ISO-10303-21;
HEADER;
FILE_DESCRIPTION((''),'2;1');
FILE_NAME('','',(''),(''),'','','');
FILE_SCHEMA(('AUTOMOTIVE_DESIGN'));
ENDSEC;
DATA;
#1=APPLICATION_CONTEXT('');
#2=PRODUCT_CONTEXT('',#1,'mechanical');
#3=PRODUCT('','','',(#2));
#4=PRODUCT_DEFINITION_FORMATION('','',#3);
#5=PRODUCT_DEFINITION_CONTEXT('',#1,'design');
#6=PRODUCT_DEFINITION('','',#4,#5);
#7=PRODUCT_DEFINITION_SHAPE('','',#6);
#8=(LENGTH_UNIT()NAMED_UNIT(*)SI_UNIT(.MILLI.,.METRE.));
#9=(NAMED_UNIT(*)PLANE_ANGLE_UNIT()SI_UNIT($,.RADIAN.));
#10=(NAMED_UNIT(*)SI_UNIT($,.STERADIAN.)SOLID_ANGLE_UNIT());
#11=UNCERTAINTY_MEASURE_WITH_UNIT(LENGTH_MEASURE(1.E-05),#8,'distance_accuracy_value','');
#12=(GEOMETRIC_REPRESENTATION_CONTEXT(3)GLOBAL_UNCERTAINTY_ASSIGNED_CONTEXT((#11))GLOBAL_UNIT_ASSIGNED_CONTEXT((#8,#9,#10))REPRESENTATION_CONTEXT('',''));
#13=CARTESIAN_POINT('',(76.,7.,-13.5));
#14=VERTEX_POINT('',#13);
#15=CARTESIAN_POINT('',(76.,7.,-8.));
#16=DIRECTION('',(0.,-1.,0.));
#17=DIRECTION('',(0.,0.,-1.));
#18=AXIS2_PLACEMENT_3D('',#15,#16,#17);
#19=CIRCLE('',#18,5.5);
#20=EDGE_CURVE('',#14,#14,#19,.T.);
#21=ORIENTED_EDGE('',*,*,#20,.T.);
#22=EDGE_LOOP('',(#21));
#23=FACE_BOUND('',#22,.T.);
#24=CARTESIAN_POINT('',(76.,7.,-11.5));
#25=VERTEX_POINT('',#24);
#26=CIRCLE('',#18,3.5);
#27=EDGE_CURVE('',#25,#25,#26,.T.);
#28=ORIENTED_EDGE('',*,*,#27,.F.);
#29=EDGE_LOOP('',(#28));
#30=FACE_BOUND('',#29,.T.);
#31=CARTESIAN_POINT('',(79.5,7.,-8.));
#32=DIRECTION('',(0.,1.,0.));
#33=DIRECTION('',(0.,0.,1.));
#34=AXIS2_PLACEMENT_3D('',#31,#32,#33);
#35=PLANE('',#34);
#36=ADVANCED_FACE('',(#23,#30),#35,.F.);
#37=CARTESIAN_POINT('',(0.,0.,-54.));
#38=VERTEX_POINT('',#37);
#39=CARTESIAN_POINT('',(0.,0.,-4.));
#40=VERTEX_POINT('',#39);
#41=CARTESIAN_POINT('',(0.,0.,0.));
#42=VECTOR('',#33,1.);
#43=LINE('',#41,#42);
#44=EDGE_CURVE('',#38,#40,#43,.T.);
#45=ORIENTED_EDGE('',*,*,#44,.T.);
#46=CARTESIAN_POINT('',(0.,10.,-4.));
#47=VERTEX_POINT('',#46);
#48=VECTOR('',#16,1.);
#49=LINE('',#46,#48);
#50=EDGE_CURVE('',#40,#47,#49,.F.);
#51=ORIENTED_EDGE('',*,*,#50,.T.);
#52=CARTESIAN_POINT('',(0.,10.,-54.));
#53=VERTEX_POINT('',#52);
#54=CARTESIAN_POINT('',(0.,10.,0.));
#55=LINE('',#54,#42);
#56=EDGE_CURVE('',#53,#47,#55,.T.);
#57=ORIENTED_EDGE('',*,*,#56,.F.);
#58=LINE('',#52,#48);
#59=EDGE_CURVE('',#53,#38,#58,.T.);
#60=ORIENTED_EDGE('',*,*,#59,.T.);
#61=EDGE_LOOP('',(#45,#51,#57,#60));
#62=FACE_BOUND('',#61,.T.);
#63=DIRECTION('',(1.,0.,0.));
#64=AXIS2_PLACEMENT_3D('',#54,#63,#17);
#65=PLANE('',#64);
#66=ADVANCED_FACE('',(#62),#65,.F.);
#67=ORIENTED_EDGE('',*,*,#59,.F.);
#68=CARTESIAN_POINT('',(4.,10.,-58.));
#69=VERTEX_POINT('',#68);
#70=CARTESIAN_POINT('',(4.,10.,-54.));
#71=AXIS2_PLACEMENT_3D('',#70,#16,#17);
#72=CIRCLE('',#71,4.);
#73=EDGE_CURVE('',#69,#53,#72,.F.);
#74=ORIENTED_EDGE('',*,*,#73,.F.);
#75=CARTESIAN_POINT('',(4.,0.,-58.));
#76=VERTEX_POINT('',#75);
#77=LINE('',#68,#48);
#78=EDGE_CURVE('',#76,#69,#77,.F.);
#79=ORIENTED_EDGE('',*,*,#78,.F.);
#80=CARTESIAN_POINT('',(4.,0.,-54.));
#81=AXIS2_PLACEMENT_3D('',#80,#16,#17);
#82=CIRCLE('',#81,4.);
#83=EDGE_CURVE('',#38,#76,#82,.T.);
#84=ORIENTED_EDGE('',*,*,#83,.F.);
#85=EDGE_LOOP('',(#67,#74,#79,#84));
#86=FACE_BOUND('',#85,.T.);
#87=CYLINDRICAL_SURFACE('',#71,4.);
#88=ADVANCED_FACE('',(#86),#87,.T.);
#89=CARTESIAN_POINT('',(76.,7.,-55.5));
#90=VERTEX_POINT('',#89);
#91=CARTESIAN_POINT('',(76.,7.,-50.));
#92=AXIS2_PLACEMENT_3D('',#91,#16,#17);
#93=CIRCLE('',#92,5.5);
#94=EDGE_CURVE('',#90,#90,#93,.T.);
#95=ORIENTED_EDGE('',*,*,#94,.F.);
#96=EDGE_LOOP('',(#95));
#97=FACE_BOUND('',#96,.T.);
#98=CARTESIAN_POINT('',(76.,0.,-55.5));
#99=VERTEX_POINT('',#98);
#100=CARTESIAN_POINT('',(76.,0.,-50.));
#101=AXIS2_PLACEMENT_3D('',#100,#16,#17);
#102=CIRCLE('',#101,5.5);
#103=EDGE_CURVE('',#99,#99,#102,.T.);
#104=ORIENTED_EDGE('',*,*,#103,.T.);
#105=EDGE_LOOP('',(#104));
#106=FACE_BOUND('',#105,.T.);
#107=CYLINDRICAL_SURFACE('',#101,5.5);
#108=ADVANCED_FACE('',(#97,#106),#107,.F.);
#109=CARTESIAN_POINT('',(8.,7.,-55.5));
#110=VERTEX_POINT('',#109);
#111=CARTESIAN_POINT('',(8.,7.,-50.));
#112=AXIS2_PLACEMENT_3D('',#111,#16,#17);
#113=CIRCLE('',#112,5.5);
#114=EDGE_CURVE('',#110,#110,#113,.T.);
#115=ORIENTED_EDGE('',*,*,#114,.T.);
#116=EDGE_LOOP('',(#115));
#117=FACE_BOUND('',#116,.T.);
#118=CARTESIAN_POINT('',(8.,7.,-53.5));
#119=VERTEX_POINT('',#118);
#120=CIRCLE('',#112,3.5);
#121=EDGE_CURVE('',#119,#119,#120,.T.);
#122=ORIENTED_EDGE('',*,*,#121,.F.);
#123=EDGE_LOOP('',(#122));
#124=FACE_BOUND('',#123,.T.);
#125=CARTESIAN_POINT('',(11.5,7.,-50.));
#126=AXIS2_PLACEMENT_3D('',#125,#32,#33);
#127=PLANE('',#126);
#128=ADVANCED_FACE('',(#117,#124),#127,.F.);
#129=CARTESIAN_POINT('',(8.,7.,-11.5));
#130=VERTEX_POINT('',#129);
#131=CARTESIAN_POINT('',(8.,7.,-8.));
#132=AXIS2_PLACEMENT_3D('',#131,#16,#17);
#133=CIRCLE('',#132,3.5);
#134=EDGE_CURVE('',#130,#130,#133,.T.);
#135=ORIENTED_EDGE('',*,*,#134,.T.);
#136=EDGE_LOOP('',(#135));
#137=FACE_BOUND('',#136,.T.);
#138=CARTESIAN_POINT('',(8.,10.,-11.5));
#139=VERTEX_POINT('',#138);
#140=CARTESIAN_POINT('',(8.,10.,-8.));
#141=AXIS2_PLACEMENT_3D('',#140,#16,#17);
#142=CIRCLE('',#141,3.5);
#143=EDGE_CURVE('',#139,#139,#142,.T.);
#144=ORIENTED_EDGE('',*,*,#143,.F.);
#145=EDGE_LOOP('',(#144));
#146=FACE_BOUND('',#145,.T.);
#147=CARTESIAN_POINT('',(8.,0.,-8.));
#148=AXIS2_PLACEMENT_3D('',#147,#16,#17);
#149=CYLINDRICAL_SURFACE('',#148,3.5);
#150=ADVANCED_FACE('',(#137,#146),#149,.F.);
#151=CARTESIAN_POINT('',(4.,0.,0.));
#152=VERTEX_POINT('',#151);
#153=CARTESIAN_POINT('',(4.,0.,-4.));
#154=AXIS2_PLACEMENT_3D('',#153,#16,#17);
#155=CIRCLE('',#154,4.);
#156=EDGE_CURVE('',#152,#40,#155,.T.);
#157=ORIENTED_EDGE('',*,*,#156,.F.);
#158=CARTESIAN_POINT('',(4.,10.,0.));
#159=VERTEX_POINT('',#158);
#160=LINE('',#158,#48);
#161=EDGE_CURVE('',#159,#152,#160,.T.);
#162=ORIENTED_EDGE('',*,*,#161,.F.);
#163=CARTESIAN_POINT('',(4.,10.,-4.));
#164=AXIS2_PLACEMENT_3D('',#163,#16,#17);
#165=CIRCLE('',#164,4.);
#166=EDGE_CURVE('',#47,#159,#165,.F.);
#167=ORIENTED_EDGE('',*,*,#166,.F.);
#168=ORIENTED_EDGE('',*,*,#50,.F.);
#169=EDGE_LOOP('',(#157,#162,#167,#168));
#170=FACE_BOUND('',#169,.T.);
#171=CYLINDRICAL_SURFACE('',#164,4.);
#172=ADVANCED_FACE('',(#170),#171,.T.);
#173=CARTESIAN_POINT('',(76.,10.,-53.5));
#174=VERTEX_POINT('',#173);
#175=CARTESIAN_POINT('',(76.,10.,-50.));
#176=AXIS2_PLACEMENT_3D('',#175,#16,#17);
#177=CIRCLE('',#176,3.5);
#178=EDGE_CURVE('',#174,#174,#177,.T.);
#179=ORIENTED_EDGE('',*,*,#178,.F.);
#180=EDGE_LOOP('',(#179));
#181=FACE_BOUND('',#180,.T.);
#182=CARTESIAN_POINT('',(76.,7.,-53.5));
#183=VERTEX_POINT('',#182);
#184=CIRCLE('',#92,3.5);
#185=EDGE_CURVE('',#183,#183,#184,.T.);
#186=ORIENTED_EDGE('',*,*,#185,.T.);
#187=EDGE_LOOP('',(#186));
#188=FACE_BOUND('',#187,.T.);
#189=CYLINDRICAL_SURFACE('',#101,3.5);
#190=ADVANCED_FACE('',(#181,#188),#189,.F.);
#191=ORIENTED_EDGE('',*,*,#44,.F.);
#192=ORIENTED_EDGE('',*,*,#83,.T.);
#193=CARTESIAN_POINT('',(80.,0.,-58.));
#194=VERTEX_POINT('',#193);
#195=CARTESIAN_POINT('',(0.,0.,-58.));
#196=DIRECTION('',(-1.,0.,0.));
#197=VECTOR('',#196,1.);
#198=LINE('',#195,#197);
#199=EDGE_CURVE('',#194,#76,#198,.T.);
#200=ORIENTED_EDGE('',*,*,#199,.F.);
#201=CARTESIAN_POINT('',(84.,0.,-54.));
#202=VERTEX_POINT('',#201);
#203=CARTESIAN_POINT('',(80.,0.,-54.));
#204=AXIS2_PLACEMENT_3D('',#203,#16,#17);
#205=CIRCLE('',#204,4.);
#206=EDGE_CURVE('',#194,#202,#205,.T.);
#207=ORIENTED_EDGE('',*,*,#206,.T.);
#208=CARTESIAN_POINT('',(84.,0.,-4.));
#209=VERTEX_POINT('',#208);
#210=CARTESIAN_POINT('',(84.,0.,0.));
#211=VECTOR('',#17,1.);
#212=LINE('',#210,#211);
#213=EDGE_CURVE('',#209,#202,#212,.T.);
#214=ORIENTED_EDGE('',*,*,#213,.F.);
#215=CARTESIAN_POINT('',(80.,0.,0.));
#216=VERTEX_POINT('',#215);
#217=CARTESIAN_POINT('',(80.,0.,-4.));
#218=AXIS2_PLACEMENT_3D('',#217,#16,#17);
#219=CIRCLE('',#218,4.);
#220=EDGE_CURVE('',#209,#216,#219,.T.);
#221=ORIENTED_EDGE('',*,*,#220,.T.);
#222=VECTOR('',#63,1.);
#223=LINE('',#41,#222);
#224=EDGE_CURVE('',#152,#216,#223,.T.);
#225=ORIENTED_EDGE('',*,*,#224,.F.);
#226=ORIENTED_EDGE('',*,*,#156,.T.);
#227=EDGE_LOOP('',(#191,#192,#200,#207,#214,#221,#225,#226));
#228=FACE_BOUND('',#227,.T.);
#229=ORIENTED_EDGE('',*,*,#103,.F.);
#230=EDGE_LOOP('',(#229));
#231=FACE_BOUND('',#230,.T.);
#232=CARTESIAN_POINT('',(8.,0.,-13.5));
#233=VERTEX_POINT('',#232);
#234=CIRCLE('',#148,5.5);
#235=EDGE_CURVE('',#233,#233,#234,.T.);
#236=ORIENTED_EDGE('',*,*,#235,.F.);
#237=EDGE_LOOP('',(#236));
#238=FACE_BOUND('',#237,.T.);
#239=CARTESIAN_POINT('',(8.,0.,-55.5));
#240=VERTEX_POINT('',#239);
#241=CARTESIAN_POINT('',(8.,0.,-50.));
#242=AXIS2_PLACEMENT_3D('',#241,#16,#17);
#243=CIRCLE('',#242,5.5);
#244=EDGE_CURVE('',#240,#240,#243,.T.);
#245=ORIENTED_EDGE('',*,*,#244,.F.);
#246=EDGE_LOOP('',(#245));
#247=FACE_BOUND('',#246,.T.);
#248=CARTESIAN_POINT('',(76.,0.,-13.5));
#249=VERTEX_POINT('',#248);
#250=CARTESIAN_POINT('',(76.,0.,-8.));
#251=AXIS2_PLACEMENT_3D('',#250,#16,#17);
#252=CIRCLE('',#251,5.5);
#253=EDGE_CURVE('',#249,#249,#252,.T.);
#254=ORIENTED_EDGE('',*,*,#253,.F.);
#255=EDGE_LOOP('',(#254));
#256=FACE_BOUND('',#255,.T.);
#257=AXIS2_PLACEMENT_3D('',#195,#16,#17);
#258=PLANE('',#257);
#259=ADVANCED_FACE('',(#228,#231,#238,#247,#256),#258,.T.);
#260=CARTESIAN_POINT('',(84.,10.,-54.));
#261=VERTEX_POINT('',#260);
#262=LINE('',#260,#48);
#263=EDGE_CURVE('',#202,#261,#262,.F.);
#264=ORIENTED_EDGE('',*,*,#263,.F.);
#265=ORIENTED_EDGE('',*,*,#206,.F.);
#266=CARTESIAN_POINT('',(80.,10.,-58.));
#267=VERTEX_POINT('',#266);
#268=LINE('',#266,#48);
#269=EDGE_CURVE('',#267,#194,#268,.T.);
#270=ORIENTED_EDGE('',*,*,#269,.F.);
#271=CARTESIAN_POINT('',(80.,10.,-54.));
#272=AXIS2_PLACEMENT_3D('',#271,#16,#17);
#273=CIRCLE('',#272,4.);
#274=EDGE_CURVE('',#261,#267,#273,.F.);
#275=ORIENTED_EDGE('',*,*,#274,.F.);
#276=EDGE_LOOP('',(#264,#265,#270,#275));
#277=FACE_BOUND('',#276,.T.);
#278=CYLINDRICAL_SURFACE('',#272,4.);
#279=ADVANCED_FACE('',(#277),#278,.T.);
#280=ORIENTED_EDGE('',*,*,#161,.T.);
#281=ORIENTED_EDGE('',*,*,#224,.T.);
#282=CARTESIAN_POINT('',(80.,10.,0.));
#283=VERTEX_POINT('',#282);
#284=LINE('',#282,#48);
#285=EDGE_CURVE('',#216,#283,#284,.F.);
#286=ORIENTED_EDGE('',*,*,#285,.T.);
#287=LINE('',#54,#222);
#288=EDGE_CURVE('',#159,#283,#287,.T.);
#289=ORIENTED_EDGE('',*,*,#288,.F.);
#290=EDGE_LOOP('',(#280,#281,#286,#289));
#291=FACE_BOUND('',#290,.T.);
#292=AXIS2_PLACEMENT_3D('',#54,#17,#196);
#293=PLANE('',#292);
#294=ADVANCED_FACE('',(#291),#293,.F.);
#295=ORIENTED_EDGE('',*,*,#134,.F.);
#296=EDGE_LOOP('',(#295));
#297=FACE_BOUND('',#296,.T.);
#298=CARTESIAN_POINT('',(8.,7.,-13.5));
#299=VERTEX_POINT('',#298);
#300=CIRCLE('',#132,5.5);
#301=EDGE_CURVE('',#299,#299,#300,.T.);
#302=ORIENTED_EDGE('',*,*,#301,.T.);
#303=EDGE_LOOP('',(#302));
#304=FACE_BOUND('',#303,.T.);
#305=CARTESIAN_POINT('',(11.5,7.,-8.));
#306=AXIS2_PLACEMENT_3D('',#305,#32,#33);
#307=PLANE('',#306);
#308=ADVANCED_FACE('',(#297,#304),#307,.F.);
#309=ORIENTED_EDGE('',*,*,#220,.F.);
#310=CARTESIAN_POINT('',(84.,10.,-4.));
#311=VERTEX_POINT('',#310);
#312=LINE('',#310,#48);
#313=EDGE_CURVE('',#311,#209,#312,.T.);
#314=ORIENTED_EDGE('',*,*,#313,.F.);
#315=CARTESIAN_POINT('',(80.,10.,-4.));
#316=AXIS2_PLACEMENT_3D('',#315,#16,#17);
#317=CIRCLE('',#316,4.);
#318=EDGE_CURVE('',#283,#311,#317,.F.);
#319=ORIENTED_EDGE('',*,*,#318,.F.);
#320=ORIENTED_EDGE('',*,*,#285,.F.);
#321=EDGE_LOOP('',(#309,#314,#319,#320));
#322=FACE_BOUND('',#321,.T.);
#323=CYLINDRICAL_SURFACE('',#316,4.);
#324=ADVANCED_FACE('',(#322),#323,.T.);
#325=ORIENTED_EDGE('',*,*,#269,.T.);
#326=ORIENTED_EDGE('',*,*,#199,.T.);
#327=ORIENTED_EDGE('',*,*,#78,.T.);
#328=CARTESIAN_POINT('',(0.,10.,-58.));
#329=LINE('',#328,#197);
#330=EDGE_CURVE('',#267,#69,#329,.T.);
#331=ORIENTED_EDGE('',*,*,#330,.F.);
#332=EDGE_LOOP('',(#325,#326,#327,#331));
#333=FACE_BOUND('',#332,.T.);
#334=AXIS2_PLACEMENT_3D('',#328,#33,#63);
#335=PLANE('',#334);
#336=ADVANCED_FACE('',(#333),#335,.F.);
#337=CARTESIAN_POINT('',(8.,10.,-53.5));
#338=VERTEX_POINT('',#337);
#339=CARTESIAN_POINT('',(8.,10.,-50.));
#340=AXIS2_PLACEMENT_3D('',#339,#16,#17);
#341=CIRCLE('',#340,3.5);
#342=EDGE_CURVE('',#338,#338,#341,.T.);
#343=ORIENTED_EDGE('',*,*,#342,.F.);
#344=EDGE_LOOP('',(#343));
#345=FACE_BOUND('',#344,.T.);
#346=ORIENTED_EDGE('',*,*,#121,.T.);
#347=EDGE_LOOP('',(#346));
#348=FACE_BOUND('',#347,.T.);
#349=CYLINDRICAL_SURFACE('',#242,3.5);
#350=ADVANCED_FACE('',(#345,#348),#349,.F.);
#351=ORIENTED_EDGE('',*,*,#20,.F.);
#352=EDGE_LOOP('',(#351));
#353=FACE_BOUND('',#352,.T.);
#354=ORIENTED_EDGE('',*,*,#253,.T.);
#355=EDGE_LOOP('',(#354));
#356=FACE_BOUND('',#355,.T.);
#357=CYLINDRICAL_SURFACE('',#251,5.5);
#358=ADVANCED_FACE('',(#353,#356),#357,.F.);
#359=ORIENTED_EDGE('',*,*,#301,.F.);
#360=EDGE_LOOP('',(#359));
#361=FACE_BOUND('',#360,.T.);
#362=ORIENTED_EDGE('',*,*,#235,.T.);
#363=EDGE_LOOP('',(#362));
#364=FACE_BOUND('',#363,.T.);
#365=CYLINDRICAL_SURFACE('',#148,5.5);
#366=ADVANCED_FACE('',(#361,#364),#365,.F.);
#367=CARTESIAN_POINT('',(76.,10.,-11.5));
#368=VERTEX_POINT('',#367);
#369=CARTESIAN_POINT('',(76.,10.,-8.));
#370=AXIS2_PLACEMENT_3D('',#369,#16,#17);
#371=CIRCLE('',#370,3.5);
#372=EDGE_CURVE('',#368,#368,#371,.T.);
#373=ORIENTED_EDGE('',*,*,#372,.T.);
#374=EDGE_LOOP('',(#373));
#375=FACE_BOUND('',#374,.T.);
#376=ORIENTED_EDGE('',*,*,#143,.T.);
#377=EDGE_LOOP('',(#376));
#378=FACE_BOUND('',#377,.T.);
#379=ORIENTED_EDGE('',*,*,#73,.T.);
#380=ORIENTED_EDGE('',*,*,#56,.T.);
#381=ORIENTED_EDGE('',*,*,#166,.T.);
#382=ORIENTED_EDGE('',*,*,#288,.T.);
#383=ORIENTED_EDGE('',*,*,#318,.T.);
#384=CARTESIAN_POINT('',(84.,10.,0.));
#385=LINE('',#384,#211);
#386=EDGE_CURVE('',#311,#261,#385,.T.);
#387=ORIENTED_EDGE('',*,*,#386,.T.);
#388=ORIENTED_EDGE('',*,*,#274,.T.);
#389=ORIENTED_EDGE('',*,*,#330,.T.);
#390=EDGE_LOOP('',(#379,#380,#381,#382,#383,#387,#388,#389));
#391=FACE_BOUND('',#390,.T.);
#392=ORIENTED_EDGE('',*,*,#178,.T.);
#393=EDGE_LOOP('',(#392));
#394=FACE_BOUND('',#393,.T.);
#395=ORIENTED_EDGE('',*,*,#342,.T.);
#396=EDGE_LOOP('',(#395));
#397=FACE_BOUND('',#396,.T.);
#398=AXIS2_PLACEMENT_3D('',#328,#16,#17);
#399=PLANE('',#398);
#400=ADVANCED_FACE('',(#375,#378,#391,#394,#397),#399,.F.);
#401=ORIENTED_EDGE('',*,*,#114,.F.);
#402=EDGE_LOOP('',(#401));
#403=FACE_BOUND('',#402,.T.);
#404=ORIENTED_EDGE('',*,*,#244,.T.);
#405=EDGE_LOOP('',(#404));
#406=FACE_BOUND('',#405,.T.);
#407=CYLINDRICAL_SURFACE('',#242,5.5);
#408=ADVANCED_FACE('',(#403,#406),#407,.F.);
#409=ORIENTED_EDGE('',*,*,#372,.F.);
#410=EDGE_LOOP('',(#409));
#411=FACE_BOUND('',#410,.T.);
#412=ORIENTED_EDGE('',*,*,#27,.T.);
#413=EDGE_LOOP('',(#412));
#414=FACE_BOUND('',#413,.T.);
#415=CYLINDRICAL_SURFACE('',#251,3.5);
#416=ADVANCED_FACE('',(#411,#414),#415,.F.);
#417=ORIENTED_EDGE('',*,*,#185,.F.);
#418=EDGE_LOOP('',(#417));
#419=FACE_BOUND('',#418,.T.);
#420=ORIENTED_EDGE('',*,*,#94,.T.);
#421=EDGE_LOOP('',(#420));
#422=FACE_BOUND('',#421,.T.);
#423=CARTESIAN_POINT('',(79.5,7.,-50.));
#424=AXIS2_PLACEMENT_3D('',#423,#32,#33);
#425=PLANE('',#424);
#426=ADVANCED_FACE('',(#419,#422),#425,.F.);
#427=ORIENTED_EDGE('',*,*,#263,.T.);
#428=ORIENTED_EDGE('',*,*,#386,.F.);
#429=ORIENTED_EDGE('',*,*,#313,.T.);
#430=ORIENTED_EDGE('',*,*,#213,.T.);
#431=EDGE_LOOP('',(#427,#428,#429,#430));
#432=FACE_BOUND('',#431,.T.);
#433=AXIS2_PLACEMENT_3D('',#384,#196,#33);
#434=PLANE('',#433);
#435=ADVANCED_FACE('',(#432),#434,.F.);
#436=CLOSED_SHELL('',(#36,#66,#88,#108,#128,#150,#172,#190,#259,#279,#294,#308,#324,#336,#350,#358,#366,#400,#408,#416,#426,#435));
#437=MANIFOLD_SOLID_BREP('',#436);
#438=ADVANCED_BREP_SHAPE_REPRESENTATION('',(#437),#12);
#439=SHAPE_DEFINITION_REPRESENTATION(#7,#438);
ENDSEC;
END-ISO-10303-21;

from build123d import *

# Parameters (mm, degrees)
SKETCH1_W                                     = 84
SKETCH1_H                                     = 58
EXTRUDE1_DEPTH                                = 10
CBORE_FOR_M6_HEX_SOCKET_HEAD_CAP1_D           = 7
CBORE_FOR_M6_HEX_SOCKET_HEAD_CAP1_CBORE_D     = 11
CBORE_FOR_M6_HEX_SOCKET_HEAD_CAP1_CBORE_DEPTH = 7
LPATTERN1_COUNT                               = 2
LPATTERN1_PITCH                               = 68
LPATTERN1_COUNT_DIR2                          = 2
LPATTERN1_PITCH_DIR2                          = 42
FILLET1_R                                     = 4


with BuildPart() as part:
    # Sketch1 → Extrude1 (new body)
    with BuildSketch(Plane(origin=(0, 0, 0), x_dir=(1, 0, 0), z_dir=(0, 1, 0))):
        with Locations((42, 29)):
            Rectangle(SKETCH1_W, SKETCH1_H)
    extrude(amount=EXTRUDE1_DEPTH)

    # CBORE for M6 Hex Socket Head Cap1 (through all)
    with Locations(Plane.XZ):
        with Locations((76, -50)):
            cbore_for_m6_hex_socket_head_cap1 = CounterBoreHole(CBORE_FOR_M6_HEX_SOCKET_HEAD_CAP1_D / 2, CBORE_FOR_M6_HEX_SOCKET_HEAD_CAP1_CBORE_D / 2, CBORE_FOR_M6_HEX_SOCKET_HEAD_CAP1_CBORE_DEPTH)

    # LPattern1: CBORE for M6 Hex Socket Head Cap1 2 × 2
    with Locations(*[(-i * LPATTERN1_PITCH, 0, j * LPATTERN1_PITCH_DIR2) for i in range(LPATTERN1_COUNT) for j in range(LPATTERN1_COUNT_DIR2) if (i, j) != (0, 0)]):
        add(cbore_for_m6_hex_socket_head_cap1, mode=Mode.SUBTRACT)

    # Fillet1
    fillet1_edges = [part.edges().sort_by_distance(p)[0] for p in [
        (0, 5, -58),
        (84, 5, -58),
        (84, 5, 0),
        (0, 5, 0),
    ]]
    fillet(fillet1_edges, radius=FILLET1_R)


solid = part.part
